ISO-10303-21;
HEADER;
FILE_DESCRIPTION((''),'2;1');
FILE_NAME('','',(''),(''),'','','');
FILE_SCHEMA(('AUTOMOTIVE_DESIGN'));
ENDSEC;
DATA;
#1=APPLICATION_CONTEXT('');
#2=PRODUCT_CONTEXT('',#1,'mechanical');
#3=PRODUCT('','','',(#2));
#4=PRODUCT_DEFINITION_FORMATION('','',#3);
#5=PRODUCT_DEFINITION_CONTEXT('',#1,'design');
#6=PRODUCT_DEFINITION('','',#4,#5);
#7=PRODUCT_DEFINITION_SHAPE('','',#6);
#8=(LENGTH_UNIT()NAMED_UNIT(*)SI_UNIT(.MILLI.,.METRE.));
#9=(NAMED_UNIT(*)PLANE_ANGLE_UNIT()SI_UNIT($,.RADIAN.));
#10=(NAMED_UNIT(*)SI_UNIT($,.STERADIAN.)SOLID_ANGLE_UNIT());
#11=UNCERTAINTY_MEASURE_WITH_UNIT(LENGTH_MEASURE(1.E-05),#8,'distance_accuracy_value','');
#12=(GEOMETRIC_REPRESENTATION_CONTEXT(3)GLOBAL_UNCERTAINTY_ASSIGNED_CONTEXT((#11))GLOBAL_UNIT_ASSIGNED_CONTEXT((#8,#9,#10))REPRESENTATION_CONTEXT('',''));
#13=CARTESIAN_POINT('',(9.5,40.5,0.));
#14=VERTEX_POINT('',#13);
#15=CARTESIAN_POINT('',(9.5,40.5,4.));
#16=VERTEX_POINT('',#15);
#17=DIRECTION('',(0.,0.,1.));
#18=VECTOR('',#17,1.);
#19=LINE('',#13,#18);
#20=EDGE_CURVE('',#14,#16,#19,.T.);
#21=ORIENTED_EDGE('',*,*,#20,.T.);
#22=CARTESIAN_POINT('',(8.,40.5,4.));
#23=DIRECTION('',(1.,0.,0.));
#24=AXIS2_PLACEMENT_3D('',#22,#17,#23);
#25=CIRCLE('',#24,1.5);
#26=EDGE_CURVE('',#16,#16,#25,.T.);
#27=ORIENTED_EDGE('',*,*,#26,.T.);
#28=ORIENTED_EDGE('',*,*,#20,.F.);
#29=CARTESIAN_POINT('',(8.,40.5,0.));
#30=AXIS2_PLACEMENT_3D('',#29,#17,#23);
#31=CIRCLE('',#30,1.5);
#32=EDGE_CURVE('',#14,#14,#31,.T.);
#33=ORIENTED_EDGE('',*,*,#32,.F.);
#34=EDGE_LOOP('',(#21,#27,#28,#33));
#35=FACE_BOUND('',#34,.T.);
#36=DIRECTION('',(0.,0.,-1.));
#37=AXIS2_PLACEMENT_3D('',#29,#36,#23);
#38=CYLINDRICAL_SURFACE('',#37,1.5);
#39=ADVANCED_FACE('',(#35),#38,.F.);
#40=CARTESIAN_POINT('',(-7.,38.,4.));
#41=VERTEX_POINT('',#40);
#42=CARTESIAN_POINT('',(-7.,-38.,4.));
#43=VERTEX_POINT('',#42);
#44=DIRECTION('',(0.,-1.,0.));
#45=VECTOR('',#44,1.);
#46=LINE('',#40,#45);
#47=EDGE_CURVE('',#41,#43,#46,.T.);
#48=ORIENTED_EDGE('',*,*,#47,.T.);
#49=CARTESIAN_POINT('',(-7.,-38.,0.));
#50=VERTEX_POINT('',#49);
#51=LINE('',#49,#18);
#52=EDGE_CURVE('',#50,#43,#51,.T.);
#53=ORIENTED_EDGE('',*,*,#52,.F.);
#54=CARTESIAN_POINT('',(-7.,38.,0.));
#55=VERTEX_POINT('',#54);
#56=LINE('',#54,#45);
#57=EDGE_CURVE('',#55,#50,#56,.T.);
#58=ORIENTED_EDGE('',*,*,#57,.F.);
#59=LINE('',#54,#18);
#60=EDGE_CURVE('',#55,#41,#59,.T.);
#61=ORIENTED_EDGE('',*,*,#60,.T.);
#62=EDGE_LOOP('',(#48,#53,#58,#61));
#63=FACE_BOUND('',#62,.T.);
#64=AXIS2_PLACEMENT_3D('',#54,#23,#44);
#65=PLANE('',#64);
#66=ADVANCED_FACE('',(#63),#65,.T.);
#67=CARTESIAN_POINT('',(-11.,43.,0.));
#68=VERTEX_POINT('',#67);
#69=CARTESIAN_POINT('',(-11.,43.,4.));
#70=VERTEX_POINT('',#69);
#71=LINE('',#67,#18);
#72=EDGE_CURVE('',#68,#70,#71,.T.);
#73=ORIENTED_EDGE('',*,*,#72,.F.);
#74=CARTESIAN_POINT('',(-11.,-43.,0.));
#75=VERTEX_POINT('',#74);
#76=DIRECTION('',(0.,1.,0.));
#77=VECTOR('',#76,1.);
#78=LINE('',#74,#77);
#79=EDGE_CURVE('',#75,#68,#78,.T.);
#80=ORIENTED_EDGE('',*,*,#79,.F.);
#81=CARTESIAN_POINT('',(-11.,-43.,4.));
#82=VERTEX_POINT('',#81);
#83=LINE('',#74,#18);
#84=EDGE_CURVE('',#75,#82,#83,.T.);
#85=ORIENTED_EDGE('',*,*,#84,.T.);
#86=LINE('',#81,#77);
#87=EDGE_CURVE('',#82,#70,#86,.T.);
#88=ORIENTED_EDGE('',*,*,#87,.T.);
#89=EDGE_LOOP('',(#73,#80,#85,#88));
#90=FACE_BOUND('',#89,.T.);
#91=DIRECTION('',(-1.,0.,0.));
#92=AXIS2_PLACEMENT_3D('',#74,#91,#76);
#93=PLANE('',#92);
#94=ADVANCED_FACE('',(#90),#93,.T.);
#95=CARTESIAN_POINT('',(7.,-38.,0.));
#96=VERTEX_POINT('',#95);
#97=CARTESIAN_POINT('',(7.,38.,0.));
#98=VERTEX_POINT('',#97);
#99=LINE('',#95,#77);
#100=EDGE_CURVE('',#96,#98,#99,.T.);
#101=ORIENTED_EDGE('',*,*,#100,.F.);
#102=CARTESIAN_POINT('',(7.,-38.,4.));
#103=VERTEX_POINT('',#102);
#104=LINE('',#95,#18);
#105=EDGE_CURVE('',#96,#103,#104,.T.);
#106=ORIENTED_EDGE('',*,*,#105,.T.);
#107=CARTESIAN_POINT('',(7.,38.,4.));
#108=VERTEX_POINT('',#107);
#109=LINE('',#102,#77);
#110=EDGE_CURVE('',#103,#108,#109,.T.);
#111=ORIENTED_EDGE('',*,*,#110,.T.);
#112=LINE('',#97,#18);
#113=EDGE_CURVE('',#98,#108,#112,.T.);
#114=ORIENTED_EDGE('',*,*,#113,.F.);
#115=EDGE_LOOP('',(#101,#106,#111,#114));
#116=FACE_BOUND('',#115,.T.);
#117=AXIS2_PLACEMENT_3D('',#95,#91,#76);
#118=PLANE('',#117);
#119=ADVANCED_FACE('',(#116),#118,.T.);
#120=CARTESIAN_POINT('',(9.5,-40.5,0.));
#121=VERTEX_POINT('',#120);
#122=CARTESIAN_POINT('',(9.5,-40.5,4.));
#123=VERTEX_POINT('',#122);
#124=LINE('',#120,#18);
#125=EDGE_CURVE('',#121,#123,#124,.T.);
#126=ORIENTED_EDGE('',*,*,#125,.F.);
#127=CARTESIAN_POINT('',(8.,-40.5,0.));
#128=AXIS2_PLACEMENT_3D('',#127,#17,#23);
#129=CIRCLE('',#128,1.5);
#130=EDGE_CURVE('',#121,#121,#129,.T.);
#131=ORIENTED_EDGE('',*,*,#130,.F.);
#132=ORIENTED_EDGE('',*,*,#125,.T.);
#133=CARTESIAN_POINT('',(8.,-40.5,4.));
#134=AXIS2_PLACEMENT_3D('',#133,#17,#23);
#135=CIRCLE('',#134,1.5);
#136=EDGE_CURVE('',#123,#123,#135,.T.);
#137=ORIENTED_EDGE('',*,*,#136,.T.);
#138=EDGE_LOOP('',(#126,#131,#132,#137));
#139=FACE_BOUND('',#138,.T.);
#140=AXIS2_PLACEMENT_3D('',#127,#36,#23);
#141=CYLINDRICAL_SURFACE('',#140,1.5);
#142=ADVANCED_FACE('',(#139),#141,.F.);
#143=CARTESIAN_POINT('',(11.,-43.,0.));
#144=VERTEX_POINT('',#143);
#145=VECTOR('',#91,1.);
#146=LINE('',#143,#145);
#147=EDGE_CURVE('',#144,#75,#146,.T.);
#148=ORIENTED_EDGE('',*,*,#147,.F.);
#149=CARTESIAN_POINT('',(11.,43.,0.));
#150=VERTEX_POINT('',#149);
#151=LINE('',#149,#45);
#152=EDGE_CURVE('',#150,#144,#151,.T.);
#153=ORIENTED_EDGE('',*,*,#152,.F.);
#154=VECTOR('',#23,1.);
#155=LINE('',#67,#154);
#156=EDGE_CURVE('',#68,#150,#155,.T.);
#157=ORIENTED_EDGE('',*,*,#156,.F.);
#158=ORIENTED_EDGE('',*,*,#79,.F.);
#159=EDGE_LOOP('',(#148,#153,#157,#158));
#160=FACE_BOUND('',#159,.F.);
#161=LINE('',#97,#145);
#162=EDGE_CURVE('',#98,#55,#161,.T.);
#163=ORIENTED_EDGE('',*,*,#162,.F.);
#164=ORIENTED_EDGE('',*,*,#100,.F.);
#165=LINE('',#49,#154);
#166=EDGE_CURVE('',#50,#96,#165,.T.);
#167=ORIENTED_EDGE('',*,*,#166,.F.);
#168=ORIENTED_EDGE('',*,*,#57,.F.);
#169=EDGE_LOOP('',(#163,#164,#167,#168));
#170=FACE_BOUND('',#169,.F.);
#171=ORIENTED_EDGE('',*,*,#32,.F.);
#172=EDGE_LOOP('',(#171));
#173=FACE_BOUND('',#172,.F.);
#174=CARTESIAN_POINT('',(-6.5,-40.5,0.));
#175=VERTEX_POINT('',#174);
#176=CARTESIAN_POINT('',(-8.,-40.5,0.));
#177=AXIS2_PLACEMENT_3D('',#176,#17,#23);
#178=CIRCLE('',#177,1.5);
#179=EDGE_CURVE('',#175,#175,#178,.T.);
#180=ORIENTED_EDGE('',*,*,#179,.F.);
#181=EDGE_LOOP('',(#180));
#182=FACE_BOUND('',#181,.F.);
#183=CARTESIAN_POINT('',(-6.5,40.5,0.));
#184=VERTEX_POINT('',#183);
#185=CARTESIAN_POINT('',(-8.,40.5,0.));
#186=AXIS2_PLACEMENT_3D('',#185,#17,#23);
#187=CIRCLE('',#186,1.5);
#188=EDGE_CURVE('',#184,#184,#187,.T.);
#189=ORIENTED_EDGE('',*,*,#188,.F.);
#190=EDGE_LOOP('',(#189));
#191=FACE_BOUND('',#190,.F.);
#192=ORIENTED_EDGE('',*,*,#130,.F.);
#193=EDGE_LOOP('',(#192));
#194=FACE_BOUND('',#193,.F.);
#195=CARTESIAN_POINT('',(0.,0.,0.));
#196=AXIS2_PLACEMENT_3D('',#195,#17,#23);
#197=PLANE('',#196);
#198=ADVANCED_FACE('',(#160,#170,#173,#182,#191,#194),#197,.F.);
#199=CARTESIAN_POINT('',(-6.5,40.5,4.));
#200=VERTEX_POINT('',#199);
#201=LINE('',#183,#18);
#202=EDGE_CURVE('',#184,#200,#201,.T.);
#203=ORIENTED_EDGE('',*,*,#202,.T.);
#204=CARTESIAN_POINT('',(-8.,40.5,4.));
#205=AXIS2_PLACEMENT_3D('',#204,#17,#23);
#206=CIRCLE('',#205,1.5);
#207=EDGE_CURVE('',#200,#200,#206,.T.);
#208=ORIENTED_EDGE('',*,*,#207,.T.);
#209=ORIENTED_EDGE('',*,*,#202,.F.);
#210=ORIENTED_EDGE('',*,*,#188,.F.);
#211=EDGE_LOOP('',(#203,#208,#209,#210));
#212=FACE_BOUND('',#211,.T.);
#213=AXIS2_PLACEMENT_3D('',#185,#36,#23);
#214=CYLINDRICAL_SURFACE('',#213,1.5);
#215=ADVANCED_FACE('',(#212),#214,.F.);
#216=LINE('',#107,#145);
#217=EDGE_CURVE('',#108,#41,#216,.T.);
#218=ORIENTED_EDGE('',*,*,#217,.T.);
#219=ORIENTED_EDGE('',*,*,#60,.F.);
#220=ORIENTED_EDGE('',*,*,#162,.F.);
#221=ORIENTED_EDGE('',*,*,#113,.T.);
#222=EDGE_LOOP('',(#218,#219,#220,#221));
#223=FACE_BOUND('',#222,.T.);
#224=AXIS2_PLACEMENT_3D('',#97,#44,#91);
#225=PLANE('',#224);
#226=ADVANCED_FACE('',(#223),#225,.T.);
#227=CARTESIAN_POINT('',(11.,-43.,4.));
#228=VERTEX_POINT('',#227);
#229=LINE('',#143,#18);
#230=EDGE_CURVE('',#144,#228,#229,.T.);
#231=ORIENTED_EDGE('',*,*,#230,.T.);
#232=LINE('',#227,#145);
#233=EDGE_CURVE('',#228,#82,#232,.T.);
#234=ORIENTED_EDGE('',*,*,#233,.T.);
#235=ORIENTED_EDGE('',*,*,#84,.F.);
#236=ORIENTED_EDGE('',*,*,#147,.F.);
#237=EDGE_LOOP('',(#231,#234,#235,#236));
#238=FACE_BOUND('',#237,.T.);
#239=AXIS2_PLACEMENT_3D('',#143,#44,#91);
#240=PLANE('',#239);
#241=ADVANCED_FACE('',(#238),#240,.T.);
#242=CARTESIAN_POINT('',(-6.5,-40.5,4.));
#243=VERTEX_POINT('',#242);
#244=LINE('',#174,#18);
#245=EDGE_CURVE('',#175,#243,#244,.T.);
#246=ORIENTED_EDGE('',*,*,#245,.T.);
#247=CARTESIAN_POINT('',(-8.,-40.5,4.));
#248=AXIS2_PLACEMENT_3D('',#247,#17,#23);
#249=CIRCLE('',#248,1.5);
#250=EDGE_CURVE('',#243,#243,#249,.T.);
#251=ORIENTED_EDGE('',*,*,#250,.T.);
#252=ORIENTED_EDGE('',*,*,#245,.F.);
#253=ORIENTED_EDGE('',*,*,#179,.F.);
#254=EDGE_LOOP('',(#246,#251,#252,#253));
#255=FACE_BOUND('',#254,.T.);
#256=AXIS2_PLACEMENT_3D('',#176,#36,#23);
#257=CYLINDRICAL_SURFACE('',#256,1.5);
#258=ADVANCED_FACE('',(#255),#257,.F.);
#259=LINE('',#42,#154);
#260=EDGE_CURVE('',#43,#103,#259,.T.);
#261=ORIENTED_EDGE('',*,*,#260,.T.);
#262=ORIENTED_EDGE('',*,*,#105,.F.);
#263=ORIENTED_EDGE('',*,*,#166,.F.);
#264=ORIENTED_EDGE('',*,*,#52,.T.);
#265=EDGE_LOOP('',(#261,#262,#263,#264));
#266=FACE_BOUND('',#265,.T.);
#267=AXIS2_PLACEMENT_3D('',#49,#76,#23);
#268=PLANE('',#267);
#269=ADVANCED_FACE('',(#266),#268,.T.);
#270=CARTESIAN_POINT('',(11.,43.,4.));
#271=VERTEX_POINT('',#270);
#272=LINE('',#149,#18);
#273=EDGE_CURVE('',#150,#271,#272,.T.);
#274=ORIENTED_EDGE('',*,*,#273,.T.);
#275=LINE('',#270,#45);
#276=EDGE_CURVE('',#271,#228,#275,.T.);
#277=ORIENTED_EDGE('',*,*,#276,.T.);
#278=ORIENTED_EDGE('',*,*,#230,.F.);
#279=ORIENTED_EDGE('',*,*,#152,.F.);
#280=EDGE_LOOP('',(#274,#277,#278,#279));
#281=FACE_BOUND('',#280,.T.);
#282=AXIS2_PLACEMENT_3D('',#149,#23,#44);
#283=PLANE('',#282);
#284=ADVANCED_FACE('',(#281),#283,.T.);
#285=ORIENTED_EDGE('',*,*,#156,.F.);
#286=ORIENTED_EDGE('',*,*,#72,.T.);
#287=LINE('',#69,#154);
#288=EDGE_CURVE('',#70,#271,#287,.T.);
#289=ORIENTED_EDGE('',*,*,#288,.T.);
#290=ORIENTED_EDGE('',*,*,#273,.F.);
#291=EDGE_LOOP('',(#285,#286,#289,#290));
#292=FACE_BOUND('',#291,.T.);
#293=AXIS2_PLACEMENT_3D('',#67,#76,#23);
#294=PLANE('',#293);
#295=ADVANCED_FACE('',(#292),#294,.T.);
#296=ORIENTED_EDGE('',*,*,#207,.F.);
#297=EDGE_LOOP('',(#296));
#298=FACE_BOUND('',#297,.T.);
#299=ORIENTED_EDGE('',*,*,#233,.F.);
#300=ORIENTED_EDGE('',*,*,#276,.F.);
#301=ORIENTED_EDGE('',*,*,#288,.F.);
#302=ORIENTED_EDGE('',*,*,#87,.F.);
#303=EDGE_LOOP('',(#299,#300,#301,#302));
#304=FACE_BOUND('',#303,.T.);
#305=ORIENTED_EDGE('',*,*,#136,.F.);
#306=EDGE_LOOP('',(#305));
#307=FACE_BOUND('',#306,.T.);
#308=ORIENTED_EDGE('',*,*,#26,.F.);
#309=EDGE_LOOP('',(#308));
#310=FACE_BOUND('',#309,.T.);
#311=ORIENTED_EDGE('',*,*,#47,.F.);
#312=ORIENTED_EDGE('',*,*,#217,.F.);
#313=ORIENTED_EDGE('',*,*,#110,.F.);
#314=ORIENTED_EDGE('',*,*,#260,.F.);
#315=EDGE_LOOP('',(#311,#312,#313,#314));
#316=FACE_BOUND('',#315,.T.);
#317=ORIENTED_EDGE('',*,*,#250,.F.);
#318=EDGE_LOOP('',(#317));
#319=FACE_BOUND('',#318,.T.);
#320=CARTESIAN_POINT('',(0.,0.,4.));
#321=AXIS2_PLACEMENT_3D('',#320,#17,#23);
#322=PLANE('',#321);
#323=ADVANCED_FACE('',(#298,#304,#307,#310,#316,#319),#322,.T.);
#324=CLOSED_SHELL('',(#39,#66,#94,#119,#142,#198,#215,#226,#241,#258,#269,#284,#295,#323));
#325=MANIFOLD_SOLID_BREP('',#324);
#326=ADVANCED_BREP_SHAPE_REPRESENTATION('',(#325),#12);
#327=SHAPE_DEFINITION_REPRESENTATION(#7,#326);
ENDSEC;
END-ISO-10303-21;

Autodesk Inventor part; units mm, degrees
ref_plane "YZ Plane" through (0, 0, 0) normal (1, 0, 0) x (0, 1, 0)
ref_plane "XZ Plane" through (0, 0, 0) normal (0, 1, 0) x (-1, 0, 0)
ref_plane "XY Plane" through (0, 0, 0) normal (0, 0, 1) x (1, 0, 0)
sketch "Sketch1" plane through (0, 0, 0) normal (0, 0, 1) x (1, 0, 0)
  line L0 (-11, 43) -> (11, 43)
  line L1 (11, 43) -> (11, -43)
  line L2 (11, -43) -> (-11, -43)
  line L3 (-11, -43) -> (-11, 43)
  line L4 (-11, 43) -> (11, -43) construction
  line L5 (11, 43) -> (-11, -43) construction
  circle A0 centre (-8, 40.5) radius 1.5
  circle A1 centre (8, 40.5) radius 1.5
  circle A2 centre (-8, -40.5) radius 1.5
  circle A3 centre (8, -40.5) radius 1.5
  line L6 (7, 38) -> (-7, 38)
  line L7 (-7, 38) -> (-7, -38)
  line L8 (-7, -38) -> (7, -38)
  line L9 (7, -38) -> (7, 38)
  line L10 (7, 38) -> (-7, -38) construction
  line L11 (-7, 38) -> (7, -38) construction
  point P0 (0, 0)
  dimension "d0" = 22
  dimension "d1" = 86
  dimension "d2" = 3
  dimension "d3" = 3
  dimension "d4" = 3
  dimension "d5" = 3
  dimension "d6" = 3
  dimension "d7" = 2.5
  dimension "d8" = 3
  dimension "d9" = 2.5
  dimension "d10" = 2.5
  dimension "d11" = 3
  dimension "d12" = 3
  dimension "d13" = 2.5
  dimension "d14" = 14
  dimension "d15" = 76
extrude "Extrusion1" add sketch "Sketch1" along normal blind 4
properties part number "PartC" material "Aluminum 6061"
